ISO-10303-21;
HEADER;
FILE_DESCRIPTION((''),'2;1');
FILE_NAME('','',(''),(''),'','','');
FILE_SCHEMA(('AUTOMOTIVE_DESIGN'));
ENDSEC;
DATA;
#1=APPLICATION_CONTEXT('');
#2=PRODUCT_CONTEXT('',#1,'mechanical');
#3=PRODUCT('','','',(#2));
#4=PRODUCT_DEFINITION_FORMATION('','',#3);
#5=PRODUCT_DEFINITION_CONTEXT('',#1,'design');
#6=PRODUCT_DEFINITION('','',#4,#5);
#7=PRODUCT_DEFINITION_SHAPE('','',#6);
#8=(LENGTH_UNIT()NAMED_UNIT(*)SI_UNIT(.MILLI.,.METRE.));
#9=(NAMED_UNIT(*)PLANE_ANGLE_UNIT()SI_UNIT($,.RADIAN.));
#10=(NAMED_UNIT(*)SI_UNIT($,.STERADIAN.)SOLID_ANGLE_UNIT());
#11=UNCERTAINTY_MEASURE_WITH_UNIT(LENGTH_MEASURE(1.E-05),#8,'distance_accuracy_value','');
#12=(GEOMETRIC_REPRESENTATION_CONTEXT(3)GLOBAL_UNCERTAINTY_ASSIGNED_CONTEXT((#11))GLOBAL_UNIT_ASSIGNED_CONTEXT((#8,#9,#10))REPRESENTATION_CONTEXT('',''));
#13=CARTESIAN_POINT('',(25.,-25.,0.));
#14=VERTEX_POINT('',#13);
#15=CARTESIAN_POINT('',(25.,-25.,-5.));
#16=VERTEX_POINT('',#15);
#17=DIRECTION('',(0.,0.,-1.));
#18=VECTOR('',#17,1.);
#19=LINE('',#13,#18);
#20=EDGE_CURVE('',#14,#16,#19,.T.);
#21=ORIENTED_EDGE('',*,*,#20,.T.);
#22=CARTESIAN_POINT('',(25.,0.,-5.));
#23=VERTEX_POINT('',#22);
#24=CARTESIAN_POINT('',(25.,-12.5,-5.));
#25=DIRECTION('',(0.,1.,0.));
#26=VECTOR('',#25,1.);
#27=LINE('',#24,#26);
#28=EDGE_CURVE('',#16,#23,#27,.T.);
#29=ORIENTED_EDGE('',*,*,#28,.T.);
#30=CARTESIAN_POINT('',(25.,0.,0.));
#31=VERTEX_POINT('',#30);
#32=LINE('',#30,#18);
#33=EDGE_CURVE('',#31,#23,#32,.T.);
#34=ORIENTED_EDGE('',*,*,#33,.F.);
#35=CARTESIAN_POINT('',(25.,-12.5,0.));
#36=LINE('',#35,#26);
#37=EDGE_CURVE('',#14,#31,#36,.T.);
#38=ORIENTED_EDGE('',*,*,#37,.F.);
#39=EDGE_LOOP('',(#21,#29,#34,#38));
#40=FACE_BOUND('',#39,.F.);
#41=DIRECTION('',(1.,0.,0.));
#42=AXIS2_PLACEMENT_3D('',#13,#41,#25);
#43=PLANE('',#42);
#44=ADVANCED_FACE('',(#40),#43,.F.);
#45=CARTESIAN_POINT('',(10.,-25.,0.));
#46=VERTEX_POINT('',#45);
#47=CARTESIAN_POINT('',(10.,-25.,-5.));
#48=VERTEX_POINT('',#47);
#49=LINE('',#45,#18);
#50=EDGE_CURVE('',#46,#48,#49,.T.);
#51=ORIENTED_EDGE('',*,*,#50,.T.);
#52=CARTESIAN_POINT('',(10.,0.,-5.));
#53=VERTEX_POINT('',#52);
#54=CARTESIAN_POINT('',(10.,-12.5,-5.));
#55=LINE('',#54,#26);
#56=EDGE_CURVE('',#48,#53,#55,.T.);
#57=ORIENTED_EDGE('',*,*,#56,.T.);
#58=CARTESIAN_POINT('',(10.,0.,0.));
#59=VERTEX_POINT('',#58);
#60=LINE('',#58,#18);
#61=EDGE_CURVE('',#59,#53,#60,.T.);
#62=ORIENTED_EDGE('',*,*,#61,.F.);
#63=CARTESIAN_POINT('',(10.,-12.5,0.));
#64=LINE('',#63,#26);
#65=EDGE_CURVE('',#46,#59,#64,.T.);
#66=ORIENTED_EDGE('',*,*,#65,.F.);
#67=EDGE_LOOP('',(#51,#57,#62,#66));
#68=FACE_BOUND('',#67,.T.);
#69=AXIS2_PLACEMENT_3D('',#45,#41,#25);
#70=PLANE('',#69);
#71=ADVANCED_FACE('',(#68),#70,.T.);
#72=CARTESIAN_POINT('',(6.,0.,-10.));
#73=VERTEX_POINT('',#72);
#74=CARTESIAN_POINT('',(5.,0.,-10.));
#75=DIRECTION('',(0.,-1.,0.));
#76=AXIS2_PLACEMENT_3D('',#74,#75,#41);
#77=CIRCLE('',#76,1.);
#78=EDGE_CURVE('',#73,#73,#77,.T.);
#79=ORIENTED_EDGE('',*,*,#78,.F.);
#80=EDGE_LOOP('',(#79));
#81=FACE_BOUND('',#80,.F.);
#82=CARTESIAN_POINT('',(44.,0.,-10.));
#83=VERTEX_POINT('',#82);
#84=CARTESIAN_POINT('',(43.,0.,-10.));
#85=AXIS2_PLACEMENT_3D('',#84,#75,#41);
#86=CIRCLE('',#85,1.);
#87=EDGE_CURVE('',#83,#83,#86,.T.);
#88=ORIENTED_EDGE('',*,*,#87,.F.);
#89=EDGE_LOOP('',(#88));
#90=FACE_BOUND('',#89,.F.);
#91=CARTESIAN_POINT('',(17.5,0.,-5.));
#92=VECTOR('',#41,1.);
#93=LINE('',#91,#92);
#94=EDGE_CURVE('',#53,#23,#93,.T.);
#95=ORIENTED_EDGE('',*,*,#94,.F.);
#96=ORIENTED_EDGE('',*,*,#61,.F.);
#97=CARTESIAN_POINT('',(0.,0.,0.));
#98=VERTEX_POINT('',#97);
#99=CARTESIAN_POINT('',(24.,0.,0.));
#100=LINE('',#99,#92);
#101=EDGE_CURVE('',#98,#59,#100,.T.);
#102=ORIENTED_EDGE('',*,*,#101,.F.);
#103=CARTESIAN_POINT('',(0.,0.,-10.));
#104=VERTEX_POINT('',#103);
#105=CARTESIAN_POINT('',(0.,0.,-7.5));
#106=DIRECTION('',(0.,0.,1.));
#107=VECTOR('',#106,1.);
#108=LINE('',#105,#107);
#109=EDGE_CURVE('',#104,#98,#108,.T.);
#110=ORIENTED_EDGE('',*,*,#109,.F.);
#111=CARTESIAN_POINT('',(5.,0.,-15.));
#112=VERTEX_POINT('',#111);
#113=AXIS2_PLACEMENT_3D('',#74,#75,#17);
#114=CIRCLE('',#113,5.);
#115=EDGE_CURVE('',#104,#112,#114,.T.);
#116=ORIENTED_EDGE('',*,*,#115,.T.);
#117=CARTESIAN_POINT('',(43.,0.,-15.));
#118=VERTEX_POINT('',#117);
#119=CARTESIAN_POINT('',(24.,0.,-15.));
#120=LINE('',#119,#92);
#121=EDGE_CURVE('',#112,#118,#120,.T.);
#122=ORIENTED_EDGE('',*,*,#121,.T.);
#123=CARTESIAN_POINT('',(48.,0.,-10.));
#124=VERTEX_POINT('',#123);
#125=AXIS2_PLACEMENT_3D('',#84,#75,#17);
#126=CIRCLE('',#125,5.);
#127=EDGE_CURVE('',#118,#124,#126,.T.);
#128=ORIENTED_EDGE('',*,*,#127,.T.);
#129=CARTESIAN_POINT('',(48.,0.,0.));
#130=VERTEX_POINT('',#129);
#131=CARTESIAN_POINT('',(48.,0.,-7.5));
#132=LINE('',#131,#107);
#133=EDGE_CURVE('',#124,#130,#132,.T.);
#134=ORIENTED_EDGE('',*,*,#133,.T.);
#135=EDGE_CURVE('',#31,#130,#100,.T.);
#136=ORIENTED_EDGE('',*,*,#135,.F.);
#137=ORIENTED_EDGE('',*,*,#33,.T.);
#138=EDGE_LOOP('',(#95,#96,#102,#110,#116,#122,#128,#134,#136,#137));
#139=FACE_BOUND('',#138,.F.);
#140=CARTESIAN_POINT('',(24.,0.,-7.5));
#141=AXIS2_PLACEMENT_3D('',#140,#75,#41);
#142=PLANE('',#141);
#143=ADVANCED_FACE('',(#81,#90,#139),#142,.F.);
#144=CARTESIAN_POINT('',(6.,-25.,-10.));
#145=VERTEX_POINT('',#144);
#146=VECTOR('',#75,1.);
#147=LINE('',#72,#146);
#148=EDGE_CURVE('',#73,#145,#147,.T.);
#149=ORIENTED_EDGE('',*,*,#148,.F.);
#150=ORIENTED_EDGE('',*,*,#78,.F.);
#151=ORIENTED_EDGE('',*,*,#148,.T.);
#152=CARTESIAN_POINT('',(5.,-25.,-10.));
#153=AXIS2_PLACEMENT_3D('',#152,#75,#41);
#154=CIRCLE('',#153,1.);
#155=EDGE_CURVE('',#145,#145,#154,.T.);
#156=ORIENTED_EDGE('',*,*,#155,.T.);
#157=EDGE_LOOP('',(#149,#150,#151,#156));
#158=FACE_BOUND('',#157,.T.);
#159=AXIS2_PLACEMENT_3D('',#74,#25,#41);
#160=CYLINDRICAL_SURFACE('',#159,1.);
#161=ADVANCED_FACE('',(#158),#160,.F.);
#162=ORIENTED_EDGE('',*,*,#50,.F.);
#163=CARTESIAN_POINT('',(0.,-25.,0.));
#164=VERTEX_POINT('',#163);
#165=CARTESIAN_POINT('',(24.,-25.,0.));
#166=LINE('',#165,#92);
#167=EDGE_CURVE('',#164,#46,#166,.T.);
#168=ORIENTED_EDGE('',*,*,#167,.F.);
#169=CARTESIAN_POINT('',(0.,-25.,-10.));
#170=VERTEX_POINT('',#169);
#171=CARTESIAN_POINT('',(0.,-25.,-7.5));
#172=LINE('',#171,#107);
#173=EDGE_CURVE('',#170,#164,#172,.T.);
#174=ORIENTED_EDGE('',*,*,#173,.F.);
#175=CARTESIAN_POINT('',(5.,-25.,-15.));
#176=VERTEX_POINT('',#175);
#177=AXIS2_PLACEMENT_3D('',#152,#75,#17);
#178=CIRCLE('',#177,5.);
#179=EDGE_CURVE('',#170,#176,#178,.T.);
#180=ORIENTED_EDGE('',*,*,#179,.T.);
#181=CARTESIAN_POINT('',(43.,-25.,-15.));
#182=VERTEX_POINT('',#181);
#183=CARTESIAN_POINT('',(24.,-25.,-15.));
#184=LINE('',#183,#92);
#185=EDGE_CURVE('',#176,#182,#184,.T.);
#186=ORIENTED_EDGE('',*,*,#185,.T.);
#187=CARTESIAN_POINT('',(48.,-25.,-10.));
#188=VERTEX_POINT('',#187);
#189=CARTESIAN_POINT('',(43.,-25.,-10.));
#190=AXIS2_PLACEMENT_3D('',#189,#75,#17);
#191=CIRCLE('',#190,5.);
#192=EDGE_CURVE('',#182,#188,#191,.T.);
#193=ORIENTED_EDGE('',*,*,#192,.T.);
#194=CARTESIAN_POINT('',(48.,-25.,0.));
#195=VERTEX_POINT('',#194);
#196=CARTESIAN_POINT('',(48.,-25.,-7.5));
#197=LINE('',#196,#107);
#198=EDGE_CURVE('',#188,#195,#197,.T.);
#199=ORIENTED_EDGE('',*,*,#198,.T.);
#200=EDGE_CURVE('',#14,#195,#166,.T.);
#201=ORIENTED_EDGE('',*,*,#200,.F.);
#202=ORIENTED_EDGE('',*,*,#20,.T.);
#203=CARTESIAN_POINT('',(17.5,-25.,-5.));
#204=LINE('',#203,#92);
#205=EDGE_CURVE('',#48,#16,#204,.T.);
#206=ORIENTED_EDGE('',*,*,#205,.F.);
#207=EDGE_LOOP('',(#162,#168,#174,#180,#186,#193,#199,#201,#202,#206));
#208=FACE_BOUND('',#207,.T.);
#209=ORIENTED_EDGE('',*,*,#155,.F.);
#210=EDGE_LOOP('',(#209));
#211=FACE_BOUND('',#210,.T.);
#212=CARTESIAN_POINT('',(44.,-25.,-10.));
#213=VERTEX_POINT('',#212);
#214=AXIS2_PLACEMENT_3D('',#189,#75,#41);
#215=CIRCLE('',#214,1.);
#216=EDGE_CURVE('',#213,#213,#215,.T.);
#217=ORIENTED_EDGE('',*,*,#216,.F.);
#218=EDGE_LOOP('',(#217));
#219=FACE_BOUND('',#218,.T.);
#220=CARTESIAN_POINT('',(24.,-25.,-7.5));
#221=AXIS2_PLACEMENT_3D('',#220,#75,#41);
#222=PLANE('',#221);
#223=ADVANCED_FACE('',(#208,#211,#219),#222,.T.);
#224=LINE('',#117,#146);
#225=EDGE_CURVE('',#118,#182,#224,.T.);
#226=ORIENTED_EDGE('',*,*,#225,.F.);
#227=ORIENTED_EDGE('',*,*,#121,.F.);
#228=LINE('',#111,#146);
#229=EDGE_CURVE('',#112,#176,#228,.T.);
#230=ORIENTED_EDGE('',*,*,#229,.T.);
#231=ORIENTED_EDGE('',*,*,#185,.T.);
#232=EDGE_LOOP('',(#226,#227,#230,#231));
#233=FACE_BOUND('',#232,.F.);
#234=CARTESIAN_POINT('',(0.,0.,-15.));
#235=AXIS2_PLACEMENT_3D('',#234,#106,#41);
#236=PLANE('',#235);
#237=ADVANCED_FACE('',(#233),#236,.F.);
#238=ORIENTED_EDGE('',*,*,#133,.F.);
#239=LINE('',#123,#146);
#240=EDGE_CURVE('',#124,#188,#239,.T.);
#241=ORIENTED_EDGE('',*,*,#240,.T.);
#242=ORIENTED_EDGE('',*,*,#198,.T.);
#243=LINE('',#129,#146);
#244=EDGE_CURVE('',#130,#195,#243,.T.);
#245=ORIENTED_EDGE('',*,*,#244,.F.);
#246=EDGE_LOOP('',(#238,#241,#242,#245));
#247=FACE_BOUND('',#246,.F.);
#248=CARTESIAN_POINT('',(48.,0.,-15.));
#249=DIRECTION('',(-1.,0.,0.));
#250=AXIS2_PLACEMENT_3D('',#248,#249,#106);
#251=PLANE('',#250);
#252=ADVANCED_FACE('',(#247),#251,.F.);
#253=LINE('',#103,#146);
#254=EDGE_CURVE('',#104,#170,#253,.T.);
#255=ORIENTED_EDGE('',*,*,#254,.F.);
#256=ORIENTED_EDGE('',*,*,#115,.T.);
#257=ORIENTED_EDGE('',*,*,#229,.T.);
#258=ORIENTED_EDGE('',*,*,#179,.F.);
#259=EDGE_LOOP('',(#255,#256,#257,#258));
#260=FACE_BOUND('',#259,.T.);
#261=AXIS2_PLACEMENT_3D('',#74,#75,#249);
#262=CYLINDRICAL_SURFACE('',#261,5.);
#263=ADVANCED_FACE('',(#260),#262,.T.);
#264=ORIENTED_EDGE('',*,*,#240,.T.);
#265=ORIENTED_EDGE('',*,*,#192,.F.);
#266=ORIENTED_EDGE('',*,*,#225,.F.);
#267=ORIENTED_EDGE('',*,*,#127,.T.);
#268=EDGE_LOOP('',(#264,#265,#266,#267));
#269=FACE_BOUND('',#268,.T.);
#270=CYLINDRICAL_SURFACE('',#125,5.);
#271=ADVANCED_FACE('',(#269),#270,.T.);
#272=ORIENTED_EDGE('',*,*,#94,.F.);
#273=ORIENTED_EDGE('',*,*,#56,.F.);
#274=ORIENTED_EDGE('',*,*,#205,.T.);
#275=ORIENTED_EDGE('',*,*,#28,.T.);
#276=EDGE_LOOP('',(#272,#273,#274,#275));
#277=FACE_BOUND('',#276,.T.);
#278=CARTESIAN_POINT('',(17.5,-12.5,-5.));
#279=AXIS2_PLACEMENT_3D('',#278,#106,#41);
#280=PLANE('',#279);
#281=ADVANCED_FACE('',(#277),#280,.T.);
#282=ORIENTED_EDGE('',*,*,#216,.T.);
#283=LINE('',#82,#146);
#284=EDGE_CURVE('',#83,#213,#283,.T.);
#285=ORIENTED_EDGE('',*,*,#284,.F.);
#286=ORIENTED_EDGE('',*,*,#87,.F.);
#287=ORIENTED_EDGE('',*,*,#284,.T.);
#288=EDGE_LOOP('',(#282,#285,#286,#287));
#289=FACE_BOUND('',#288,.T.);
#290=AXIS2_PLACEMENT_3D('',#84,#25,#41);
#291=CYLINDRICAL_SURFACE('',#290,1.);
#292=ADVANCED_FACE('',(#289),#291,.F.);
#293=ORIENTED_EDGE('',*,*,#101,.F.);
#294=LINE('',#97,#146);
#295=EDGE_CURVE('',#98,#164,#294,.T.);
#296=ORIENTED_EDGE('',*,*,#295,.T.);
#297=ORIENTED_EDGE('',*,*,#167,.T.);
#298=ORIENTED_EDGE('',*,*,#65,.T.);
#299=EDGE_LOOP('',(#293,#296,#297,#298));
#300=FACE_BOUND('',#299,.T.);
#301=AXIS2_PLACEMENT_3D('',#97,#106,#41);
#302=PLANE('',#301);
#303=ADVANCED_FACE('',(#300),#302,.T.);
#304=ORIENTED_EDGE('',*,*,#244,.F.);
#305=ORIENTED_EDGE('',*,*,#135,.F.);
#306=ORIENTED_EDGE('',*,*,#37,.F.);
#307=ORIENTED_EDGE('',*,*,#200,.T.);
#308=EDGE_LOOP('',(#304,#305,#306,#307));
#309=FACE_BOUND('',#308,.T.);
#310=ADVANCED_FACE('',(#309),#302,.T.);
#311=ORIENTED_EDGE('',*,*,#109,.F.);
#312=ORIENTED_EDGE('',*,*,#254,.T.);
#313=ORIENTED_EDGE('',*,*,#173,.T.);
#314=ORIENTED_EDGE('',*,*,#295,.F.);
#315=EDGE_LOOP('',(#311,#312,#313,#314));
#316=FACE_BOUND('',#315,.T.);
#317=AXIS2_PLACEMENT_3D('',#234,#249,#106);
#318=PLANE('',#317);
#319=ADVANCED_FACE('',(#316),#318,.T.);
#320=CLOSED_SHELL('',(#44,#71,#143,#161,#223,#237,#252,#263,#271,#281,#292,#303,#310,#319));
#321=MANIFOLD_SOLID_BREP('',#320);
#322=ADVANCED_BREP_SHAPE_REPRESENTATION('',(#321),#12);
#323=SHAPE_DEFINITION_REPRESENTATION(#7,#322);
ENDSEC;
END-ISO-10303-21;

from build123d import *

# Parameters (mm, degrees)
F0_W     = 48
F0_H     = 15
F0_R     = 1
F1_DEPTH = 25
F2_R     = 5
F3_W     = 15
F3_H     = 25
F4_DEPTH = 5


with BuildPart() as f1:
    # F0 (on Front) → F1 (new body)
    with BuildSketch(Plane.XZ):
        with Locations((24, -7.5)):
            Rectangle(F0_W, F0_H)
        with Locations((5, -10)):
            Circle(F0_R, mode=Mode.SUBTRACT)
        with Locations((43, -10)):
            Circle(F0_R, mode=Mode.SUBTRACT)
    extrude(amount=F1_DEPTH)

    # F2
    f2_edges = [f1.edges().sort_by_distance(p)[0] for p in [
        (0, -12.5, -15),
        (48, -12.5, -15),
    ]]
    fillet(f2_edges, radius=F2_R)

    # F3 (on face) → F4 (cut)
    with BuildSketch(Plane.XY):
        with Locations((17.5, -12.5)):
            Rectangle(F3_W, F3_H)
    extrude(amount=-F4_DEPTH, mode=Mode.SUBTRACT)


solid = f1.part
